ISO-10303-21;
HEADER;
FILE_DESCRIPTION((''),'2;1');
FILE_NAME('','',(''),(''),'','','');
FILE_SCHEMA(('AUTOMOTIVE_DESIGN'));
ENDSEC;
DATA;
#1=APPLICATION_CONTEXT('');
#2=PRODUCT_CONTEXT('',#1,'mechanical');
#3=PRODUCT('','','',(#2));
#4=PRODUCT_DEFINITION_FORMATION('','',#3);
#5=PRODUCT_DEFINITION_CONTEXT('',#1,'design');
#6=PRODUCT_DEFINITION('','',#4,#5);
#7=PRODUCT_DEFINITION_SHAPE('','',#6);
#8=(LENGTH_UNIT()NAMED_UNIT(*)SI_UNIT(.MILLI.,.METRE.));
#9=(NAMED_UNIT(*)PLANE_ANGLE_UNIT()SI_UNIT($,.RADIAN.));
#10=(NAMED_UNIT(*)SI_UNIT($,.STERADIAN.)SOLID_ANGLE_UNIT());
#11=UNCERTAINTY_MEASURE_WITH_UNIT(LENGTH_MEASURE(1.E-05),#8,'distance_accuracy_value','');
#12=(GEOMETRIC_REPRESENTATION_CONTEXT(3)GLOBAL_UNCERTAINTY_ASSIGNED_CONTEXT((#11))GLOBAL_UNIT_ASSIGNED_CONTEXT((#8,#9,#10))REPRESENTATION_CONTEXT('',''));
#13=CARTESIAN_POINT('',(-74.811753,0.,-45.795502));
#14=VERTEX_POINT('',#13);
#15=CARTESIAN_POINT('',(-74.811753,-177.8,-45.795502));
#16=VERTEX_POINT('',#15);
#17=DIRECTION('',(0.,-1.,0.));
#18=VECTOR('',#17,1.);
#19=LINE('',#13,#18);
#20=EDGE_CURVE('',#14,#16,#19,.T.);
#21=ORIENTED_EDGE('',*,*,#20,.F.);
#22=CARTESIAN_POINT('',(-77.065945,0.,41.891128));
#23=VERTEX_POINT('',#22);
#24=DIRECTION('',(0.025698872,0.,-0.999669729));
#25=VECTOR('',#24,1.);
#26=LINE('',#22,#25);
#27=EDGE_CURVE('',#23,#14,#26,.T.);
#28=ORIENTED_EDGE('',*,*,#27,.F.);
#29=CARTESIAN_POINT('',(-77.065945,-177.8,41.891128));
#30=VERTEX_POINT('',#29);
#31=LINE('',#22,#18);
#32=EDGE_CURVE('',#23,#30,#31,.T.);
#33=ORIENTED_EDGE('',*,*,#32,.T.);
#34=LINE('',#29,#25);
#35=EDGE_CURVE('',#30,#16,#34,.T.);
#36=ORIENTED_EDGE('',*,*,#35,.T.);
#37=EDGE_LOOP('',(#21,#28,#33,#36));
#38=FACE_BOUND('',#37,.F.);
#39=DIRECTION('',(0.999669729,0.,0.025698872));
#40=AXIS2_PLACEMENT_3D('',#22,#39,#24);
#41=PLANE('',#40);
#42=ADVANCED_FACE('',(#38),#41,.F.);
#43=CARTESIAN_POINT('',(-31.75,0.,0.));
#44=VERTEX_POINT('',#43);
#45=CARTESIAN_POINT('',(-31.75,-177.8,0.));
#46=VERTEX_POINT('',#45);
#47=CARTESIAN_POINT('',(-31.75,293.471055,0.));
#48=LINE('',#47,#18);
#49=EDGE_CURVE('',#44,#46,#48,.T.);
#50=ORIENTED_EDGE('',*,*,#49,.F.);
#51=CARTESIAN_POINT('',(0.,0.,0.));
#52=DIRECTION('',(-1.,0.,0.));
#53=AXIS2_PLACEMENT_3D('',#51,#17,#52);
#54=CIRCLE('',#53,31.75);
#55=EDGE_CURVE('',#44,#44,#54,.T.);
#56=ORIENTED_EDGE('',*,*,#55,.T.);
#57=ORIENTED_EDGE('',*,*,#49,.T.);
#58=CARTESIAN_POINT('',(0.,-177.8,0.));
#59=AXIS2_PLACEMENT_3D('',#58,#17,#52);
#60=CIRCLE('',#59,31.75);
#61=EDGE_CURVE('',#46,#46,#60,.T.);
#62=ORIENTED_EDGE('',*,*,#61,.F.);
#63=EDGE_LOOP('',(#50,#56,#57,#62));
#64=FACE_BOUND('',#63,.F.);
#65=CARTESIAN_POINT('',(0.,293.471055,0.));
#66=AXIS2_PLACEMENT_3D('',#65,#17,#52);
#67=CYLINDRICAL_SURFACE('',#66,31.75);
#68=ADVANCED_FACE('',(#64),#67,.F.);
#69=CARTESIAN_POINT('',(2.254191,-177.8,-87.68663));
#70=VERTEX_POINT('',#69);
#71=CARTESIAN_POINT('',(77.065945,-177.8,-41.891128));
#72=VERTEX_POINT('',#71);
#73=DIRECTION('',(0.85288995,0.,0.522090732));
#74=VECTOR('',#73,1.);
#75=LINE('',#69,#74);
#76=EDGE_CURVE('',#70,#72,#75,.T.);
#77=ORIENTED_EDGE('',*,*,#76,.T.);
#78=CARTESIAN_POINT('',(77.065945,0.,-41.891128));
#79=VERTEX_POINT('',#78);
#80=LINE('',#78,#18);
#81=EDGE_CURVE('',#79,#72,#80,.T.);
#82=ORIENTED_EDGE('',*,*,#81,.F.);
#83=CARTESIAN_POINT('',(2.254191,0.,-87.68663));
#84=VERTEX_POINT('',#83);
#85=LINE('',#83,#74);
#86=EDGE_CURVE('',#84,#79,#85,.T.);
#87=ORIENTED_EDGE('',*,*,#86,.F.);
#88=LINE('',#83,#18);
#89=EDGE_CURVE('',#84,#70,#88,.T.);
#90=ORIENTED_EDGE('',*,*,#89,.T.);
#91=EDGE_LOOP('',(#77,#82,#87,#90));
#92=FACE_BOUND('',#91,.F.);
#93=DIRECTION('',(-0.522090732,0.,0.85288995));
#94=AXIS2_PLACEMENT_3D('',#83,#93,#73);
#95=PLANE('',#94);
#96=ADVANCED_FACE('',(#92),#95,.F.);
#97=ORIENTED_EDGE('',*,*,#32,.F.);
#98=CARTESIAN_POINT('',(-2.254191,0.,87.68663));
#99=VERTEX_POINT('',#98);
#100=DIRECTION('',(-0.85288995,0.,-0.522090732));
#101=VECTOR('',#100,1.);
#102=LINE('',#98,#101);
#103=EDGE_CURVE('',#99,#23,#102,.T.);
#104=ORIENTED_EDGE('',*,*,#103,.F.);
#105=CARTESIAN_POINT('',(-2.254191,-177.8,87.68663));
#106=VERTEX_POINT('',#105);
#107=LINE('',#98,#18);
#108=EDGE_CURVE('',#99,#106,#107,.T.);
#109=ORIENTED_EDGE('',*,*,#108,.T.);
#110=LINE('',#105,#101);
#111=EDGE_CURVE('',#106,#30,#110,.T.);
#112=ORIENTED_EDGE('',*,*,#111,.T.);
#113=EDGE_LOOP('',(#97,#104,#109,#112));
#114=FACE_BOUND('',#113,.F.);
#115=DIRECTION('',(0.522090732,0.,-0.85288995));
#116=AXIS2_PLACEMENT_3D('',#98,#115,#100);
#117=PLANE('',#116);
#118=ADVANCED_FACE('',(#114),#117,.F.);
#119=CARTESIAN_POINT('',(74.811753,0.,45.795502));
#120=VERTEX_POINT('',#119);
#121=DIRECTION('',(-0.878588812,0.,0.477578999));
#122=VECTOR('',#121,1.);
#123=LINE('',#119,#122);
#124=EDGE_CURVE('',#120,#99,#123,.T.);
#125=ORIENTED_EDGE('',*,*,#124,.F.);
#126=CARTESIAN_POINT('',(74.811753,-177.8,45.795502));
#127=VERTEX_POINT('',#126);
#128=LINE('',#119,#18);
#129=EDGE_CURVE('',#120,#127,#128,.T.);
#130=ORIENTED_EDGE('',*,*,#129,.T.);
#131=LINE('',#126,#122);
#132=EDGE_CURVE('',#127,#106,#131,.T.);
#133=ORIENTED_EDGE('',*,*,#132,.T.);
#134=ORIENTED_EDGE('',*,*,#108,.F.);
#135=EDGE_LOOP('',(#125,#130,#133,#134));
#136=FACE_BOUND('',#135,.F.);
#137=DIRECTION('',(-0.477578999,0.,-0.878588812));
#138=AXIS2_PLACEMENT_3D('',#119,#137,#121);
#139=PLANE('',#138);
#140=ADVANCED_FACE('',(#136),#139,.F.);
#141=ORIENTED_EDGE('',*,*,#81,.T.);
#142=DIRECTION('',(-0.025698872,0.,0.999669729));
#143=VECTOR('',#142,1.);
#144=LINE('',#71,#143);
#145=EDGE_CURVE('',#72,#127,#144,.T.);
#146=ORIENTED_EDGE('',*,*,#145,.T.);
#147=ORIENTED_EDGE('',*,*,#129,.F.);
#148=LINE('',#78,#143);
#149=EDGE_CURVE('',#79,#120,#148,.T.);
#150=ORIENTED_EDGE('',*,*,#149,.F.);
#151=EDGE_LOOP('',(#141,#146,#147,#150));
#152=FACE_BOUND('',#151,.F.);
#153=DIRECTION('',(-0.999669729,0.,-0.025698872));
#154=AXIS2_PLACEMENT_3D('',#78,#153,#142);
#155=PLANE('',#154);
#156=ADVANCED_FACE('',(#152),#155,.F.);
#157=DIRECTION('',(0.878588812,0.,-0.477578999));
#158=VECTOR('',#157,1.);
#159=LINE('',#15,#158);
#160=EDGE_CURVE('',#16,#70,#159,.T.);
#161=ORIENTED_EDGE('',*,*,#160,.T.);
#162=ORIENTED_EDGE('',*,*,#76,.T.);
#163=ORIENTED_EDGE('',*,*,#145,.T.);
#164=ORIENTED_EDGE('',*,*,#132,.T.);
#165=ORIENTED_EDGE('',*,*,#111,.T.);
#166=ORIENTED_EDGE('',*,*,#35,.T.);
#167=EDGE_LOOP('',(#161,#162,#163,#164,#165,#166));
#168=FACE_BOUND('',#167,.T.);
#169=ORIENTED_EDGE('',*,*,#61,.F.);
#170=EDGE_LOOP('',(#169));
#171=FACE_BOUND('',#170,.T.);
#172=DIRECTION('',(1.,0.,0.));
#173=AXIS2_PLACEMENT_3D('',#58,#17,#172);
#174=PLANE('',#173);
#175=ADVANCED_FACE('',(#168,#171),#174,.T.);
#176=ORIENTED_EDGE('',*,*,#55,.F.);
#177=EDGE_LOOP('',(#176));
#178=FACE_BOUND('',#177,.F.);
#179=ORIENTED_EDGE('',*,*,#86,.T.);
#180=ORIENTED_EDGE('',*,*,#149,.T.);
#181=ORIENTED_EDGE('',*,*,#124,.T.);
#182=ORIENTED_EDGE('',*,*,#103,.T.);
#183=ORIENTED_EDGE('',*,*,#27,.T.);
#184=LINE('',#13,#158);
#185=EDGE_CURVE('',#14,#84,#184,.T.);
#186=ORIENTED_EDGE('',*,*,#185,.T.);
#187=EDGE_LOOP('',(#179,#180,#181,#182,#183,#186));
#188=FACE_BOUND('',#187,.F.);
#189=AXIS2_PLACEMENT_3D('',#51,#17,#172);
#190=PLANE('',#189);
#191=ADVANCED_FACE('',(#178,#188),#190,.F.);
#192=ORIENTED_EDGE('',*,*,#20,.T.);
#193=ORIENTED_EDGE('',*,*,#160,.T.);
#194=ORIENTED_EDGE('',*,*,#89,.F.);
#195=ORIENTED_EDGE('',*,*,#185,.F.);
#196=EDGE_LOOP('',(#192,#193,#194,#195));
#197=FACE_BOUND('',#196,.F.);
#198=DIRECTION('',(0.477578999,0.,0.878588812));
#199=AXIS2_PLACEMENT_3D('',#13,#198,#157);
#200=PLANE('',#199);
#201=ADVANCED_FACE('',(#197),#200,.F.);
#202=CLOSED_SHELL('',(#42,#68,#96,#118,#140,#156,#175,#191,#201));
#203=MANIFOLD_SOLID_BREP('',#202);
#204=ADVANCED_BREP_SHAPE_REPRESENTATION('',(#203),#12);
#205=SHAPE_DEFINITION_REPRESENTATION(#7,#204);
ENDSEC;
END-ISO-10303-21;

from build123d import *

# Parameters (mm, degrees)
F1_DEPTH = 177.8
F2_D     = 63.5


with BuildPart() as f1:
    # F0 (on Front) → F1 (new body)
    with BuildSketch(Plane.XZ):
        Polygon((2.254191, -87.68663), (77.065945, -41.891128), (74.811753, 45.795502), (-2.254191, 87.68663), (-77.065945, 41.891128), (-74.811753, -45.795502), align=None)
    extrude(amount=F1_DEPTH)

    # F2 (through all)
    with Locations(Plane(origin=(0, 0, 0), x_dir=(1, 0, 0), z_dir=(0, 1, 0))):
        with Locations((0, 0)):
            Hole(F2_D / 2)


solid = f1.part
